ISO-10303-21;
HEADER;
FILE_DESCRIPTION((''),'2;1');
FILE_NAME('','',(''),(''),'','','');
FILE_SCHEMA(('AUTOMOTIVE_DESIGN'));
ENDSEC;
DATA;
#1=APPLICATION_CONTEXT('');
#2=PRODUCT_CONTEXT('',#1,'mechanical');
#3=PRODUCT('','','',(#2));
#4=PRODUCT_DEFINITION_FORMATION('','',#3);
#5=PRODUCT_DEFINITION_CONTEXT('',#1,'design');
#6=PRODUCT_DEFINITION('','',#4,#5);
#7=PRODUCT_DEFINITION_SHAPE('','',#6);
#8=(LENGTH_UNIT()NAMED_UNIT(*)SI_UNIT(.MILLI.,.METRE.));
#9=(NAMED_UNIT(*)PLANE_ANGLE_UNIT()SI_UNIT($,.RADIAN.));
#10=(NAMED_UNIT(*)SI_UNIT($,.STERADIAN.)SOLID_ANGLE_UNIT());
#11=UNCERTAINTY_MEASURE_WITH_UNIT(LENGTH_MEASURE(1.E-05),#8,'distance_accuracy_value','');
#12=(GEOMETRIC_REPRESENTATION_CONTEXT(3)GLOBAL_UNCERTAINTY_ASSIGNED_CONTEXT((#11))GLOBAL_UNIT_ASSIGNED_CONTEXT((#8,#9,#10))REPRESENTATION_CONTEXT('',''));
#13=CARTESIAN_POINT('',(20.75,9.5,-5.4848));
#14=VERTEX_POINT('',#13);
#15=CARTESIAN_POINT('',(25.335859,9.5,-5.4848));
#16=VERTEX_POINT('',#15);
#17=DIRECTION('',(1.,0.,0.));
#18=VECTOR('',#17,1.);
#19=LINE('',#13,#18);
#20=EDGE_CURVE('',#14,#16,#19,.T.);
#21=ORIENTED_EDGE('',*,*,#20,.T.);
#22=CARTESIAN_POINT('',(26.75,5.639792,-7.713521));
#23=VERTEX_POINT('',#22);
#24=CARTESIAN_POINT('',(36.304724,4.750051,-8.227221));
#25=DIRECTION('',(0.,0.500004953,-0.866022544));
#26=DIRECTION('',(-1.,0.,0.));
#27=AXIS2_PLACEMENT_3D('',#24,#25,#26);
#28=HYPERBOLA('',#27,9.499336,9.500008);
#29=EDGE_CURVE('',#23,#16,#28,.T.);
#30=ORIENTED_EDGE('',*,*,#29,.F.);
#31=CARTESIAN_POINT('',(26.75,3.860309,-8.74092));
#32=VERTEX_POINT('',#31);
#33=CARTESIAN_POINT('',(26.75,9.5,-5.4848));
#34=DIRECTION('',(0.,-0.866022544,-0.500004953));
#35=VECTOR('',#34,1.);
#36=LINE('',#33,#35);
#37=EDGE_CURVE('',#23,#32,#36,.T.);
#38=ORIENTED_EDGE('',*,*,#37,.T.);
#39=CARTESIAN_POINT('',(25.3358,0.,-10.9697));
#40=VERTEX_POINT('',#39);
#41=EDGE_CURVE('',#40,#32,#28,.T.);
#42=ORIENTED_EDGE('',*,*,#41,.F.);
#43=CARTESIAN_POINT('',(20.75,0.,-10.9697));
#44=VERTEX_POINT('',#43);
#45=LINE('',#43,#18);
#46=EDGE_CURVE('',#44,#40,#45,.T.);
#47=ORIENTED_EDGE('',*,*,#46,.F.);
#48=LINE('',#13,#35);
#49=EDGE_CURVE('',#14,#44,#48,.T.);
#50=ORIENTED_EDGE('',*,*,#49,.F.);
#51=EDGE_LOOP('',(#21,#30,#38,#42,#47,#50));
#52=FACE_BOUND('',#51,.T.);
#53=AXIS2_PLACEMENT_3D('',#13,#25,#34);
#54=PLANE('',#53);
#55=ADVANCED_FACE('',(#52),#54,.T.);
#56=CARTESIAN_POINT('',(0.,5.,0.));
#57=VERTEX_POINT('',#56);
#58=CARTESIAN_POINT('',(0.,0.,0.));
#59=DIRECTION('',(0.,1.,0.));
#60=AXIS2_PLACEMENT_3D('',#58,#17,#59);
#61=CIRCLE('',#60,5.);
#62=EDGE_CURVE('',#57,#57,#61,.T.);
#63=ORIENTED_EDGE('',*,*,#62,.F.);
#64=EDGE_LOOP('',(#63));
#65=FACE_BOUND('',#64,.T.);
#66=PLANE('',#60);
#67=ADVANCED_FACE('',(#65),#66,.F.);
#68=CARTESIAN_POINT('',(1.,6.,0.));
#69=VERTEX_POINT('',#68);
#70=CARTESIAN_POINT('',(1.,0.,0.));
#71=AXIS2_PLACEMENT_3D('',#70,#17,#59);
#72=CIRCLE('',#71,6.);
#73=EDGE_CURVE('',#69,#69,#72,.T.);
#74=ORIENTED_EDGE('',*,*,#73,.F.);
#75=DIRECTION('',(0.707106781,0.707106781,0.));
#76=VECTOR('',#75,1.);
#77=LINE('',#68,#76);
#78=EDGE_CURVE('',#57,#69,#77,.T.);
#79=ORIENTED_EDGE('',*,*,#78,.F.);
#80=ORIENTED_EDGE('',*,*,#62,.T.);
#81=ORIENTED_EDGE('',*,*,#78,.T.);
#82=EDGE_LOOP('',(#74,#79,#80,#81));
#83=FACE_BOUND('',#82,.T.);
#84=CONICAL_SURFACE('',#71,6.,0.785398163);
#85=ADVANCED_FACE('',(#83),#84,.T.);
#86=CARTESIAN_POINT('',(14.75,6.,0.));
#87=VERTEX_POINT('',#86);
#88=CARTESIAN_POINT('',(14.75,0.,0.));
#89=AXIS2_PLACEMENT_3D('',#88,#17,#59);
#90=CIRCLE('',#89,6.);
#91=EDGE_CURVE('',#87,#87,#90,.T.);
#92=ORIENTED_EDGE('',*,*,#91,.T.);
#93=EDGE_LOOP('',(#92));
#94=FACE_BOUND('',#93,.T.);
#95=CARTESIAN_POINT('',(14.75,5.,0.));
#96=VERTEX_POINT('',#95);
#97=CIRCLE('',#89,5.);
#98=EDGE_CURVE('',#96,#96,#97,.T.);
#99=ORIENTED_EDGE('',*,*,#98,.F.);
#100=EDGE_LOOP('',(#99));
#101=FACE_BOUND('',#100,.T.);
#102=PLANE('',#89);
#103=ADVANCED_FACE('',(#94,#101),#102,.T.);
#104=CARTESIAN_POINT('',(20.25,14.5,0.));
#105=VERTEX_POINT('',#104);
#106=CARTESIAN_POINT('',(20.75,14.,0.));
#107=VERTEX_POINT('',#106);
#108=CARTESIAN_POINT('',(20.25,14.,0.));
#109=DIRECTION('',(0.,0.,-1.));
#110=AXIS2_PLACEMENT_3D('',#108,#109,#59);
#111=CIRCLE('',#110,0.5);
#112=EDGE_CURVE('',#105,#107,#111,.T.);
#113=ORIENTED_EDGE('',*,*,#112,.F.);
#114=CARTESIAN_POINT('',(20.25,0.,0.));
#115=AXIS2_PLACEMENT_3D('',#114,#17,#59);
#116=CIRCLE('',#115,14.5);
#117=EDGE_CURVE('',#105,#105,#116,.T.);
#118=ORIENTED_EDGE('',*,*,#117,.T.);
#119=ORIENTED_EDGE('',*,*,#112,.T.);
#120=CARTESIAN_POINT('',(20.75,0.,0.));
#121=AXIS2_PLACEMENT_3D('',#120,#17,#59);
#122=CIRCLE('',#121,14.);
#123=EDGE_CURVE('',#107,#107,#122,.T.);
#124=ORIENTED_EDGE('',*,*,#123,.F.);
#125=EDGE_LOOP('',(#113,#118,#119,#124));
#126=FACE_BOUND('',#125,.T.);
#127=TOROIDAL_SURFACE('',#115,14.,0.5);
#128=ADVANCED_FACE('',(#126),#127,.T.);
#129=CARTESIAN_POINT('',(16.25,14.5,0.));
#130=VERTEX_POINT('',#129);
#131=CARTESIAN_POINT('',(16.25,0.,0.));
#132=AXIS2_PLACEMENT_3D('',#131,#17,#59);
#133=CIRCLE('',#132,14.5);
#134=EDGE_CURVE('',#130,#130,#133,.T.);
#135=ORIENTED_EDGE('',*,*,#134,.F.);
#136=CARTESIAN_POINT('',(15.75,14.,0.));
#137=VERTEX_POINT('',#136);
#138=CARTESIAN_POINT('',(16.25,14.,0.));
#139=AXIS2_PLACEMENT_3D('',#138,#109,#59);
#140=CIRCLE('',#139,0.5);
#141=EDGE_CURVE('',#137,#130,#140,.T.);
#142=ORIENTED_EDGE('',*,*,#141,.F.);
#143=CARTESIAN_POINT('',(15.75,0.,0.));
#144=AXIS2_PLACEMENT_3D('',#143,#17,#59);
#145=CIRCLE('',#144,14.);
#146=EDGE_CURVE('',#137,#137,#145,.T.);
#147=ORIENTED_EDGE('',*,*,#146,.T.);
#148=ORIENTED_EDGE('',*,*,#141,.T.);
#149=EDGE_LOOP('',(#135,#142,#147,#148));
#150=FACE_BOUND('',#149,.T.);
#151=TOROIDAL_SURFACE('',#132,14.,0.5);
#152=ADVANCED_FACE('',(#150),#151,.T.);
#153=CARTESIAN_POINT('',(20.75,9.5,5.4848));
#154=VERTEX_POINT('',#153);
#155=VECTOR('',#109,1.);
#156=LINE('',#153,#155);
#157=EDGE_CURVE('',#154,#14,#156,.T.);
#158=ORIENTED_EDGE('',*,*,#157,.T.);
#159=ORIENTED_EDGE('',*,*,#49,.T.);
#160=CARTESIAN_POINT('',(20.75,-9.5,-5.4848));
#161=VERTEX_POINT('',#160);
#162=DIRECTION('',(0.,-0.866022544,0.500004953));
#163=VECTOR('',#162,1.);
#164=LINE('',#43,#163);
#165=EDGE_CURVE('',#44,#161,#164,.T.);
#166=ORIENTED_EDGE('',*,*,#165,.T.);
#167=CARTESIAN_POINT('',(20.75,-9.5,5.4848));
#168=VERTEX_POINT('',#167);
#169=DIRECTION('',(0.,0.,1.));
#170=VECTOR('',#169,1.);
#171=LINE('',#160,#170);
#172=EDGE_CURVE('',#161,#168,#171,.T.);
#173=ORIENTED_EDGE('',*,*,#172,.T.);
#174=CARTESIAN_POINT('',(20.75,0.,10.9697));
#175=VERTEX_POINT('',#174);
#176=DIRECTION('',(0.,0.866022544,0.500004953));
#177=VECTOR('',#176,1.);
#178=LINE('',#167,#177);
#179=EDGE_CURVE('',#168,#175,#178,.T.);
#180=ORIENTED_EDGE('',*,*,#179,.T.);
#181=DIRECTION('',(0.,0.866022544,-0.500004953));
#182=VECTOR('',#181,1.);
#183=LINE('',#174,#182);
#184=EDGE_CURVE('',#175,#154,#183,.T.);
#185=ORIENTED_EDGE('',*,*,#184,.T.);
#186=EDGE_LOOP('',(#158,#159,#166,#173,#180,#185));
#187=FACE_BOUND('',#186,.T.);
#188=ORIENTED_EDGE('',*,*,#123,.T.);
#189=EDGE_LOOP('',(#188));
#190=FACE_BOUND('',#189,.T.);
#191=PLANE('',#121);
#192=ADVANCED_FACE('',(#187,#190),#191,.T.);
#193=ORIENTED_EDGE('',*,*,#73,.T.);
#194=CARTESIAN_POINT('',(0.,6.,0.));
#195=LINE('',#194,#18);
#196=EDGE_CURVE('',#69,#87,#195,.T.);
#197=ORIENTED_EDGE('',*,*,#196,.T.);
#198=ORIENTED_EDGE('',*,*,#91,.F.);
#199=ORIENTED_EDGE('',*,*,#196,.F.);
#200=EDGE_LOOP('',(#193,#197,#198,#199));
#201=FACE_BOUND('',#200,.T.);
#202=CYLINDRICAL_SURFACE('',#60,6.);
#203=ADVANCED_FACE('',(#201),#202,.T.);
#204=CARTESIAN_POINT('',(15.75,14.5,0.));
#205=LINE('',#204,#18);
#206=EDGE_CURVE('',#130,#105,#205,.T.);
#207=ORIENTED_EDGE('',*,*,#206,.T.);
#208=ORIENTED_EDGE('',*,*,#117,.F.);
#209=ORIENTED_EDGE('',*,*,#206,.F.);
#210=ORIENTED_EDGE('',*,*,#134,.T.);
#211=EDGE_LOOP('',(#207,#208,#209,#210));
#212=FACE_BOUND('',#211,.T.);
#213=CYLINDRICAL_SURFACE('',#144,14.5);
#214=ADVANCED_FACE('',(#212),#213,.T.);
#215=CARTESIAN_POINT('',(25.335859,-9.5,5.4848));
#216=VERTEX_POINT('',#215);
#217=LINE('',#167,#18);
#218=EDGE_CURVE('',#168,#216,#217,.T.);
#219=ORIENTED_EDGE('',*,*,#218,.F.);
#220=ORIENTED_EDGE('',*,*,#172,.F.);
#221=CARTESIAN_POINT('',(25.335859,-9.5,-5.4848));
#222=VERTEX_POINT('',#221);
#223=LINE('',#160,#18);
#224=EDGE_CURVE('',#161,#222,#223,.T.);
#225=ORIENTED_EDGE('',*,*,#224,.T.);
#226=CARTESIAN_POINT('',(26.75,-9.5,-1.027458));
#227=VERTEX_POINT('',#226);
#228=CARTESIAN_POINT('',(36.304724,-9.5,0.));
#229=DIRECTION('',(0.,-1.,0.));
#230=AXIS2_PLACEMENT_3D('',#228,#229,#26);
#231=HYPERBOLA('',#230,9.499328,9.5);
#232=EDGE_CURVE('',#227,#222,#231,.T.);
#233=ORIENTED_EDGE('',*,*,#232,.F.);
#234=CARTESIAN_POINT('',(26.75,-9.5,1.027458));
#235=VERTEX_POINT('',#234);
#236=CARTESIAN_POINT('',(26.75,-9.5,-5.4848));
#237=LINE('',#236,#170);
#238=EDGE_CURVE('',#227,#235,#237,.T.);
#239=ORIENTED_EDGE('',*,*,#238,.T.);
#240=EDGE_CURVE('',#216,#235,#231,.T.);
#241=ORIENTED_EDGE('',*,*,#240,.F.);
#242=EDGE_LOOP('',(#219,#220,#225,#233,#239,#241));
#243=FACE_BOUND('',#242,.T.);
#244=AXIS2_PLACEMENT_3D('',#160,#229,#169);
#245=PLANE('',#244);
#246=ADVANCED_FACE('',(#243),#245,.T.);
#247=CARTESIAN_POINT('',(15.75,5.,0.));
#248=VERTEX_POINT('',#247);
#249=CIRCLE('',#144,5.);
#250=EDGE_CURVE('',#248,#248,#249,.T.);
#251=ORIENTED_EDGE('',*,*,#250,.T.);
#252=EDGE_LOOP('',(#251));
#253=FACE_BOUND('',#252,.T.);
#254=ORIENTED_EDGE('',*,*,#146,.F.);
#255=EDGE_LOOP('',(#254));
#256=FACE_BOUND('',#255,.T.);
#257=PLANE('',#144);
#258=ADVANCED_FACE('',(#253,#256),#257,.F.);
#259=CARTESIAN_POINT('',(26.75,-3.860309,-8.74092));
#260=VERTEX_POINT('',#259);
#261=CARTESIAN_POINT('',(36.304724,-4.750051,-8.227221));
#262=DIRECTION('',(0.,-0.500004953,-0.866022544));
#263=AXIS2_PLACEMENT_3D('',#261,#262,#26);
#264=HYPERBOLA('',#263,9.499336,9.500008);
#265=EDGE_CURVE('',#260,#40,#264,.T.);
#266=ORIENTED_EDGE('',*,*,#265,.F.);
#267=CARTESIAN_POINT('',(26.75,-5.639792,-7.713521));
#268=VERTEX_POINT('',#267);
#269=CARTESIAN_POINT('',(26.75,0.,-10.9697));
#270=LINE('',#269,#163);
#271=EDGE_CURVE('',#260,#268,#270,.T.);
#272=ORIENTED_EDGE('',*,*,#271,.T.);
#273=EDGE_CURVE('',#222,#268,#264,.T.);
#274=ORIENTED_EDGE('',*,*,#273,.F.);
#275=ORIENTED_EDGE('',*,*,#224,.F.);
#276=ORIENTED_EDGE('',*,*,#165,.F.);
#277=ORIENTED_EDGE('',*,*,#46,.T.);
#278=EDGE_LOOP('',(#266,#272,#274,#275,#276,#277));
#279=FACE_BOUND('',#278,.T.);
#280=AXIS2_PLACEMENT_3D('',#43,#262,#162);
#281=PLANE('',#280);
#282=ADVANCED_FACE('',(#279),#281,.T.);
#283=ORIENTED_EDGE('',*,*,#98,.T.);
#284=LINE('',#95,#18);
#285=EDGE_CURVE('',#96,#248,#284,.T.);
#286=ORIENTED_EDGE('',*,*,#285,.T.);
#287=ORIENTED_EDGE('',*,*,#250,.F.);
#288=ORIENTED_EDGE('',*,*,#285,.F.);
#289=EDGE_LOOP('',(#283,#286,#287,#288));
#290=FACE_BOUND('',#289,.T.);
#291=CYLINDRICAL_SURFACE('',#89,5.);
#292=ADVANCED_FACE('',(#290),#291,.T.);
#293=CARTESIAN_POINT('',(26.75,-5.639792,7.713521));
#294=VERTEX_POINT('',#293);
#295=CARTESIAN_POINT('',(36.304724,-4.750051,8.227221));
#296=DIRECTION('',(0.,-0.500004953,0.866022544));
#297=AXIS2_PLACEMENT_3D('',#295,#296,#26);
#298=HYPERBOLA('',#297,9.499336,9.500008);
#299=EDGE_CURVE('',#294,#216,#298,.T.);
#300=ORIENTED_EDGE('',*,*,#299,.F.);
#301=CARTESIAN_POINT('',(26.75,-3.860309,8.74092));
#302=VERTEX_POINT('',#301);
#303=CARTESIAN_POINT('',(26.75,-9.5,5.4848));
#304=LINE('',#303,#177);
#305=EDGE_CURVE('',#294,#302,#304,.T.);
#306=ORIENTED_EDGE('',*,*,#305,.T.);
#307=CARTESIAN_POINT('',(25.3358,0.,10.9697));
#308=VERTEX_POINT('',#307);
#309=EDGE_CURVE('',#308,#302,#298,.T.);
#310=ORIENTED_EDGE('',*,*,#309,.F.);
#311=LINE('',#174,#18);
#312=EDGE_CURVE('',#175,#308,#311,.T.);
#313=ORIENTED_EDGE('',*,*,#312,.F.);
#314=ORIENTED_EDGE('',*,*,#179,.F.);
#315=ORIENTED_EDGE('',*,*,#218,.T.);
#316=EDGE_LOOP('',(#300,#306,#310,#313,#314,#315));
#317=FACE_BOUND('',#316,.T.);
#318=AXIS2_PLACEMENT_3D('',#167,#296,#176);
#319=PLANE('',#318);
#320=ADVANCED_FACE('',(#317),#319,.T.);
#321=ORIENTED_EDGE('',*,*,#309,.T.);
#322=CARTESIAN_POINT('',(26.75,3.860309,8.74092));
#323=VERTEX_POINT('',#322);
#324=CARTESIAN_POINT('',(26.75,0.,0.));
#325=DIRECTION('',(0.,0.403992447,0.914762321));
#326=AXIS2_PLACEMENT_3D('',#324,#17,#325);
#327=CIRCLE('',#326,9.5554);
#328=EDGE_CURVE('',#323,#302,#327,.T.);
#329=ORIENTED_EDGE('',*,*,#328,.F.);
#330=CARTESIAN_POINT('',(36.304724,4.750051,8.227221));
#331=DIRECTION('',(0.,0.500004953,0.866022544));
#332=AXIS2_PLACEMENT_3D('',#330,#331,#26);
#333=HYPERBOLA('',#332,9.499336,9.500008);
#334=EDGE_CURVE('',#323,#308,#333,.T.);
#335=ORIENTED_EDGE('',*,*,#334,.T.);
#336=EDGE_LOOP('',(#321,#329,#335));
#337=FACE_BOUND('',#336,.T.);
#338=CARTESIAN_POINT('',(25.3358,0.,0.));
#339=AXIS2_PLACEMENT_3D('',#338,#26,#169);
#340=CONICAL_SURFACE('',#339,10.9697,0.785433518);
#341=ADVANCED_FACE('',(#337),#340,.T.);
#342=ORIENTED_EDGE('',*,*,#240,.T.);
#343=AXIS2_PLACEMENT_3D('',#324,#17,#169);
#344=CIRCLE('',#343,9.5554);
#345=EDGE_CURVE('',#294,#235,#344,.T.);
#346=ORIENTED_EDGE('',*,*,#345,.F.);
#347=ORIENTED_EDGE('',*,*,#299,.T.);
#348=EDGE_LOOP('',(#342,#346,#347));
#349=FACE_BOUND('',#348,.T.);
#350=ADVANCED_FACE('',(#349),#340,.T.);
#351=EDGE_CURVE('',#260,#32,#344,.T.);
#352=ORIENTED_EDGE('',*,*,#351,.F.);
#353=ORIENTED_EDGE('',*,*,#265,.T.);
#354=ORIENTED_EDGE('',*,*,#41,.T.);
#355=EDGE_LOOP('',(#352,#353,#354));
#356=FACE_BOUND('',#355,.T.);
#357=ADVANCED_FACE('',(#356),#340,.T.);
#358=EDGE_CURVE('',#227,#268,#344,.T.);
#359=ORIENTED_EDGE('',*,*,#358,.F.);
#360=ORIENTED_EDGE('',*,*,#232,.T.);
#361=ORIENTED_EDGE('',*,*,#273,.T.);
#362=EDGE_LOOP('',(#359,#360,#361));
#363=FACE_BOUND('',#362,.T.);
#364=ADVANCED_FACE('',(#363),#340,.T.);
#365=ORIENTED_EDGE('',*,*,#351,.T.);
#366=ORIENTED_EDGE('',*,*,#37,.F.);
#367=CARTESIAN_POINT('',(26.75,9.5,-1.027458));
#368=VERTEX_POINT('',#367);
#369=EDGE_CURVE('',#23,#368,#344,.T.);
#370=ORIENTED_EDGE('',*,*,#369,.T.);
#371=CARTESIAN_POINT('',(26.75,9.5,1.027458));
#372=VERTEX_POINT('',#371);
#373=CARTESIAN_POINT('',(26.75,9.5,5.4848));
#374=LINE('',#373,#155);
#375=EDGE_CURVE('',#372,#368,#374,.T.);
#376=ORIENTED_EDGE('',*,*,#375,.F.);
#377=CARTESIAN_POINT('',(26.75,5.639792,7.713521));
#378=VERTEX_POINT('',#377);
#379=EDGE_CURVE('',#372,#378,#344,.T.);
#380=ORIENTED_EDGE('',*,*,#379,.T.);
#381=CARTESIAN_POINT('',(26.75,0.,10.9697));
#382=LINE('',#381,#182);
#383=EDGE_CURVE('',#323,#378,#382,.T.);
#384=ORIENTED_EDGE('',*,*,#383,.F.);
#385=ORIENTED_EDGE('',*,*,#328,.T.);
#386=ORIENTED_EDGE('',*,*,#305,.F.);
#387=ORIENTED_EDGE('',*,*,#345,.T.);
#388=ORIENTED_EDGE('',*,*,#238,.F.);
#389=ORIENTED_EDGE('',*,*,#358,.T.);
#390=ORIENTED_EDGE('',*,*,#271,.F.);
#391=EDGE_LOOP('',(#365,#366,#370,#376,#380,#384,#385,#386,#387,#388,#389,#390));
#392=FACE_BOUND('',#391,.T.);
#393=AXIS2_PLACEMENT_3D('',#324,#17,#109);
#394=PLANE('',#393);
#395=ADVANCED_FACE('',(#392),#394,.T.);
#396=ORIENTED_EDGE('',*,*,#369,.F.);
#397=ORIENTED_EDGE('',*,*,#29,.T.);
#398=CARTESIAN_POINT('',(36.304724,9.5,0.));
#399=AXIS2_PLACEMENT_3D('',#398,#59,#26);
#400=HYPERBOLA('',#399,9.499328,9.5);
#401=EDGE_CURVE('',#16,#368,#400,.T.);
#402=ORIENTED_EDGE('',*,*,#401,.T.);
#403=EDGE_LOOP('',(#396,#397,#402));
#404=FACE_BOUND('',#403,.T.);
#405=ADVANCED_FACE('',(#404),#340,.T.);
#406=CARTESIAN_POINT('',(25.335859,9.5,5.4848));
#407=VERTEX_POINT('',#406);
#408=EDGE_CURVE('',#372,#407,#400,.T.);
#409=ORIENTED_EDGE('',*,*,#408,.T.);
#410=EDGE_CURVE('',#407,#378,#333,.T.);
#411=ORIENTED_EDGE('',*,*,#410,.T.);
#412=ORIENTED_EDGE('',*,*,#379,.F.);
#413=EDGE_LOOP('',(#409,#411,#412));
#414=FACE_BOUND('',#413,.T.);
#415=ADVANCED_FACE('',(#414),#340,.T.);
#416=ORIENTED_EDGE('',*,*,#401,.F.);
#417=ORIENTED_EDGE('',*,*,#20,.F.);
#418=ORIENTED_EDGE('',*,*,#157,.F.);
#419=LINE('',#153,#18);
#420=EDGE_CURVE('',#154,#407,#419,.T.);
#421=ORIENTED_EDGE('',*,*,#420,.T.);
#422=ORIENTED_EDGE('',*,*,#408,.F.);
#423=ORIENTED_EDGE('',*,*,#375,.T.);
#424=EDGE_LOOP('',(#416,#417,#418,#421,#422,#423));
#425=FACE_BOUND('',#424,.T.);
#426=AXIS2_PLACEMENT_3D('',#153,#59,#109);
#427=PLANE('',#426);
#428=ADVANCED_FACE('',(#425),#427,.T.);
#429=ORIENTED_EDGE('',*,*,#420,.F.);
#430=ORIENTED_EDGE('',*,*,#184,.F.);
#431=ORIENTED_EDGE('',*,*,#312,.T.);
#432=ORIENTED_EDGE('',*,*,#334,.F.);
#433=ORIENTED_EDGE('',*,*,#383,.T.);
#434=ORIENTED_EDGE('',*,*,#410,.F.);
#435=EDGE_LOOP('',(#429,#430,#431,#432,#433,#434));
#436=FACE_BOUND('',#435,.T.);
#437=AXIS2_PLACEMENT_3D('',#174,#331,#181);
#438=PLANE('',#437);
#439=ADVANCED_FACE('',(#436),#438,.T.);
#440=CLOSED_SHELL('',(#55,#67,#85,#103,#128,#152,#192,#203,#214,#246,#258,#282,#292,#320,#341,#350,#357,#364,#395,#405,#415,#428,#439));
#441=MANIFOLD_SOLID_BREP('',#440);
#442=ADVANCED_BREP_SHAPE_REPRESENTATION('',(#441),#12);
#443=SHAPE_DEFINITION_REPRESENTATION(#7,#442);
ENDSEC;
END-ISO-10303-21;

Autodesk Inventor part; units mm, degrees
ref_plane "YZ Plane" through (0, 0, 0) normal (1, 0, 0) x (0, 1, 0)
ref_plane "XZ Plane" through (0, 0, 0) normal (0, 1, 0) x (-1, 0, 0)
ref_plane "XY Plane" through (0, 0, 0) normal (0, 0, 1) x (1, 0, 0)
sketch "Эскиз1" plane through (0, 0, 0) normal (0, 0, 1) x (1, 0, 0)
  line L0 (0, 0) -> (21.2967, 0)
  line L1 (0, 0) -> (0, 6)
  line L2 (0, 6) -> (14.75, 6)
  line L3 (14.75, 6) -> (14.75, 5)
  line L4 (14.75, 5) -> (15.75, 5)
  line L5 (15.75, 5) -> (15.75, 14.5)
  line L6 (15.75, 14.5) -> (20.75, 14.5)
  line L7 (20.75, 14.5) -> (20.75, 0)
  dimension "d0" = 12
  dimension "d1" = 10
  dimension "d2" = 29
  dimension "d3" = 1
  dimension "d4" = 14.75
  dimension "d5" = 5
revolve "Вращение1" add sketch "Эскиз1" angle 360 about axis through (0, 0, 0) along (1, 0, 0)
chamfer "Фаска1" distance 1 angle 45 1 edges at (0, -6, 0)
fillet "Сопряжение1" radius 0.5 2 edges at (15.75, -14.5, 0) (20.75, -14.5, 0)
sketch "Эскиз2" plane through (20.75, 0, 0) normal (1, 0, 0) x (0, 0, -1)
  line L0 (5.4848, 9.5) -> (10.9697, 0)
  line L1 (10.9697, 0) -> (5.4848, -9.5)
  line L2 (5.4848, -9.5) -> (-5.4848, -9.5)
  line L3 (-5.4848, -9.5) -> (-10.9697, 0)
  line L4 (-10.9697, 0) -> (-5.4848, 9.5)
  line L5 (-5.4848, 9.5) -> (5.4848, 9.5)
  point P0 (0, 0)
  point P1 (0, 0)
  dimension "d11" = 19
extrude "Выдавливание1" add sketch "Эскиз2" along normal blind 6
sketch "Эскиз3" plane through (0, 0, 0) normal (0, 1, 0) x (-1, 0, 0)
  line L0 (-20.75, 10.9697) -> (-26.75, 10.9697) projected
  line L1 (-25.3358, 10.9697) -> (-26.75, 9.5554)
  line L2 (-26.75, 5.4848) -> (-26.75, 10.9697) projected
  line L3 (3.6, 0) -> (-21.6, 0) projected
  point P0 (0, 0)
  dimension "d14" = 2
  dimension "d15" = 45
revolve "Вращение2" cut sketch "Эскиз3" angle 360 about axis through (-10, 0, 0) along (1, 0, 0)
thread "Резьба1" size "M12x1.75" class "6g" standard "ANSI Metric M Profile" length 18
properties part number "Слив_масла"
